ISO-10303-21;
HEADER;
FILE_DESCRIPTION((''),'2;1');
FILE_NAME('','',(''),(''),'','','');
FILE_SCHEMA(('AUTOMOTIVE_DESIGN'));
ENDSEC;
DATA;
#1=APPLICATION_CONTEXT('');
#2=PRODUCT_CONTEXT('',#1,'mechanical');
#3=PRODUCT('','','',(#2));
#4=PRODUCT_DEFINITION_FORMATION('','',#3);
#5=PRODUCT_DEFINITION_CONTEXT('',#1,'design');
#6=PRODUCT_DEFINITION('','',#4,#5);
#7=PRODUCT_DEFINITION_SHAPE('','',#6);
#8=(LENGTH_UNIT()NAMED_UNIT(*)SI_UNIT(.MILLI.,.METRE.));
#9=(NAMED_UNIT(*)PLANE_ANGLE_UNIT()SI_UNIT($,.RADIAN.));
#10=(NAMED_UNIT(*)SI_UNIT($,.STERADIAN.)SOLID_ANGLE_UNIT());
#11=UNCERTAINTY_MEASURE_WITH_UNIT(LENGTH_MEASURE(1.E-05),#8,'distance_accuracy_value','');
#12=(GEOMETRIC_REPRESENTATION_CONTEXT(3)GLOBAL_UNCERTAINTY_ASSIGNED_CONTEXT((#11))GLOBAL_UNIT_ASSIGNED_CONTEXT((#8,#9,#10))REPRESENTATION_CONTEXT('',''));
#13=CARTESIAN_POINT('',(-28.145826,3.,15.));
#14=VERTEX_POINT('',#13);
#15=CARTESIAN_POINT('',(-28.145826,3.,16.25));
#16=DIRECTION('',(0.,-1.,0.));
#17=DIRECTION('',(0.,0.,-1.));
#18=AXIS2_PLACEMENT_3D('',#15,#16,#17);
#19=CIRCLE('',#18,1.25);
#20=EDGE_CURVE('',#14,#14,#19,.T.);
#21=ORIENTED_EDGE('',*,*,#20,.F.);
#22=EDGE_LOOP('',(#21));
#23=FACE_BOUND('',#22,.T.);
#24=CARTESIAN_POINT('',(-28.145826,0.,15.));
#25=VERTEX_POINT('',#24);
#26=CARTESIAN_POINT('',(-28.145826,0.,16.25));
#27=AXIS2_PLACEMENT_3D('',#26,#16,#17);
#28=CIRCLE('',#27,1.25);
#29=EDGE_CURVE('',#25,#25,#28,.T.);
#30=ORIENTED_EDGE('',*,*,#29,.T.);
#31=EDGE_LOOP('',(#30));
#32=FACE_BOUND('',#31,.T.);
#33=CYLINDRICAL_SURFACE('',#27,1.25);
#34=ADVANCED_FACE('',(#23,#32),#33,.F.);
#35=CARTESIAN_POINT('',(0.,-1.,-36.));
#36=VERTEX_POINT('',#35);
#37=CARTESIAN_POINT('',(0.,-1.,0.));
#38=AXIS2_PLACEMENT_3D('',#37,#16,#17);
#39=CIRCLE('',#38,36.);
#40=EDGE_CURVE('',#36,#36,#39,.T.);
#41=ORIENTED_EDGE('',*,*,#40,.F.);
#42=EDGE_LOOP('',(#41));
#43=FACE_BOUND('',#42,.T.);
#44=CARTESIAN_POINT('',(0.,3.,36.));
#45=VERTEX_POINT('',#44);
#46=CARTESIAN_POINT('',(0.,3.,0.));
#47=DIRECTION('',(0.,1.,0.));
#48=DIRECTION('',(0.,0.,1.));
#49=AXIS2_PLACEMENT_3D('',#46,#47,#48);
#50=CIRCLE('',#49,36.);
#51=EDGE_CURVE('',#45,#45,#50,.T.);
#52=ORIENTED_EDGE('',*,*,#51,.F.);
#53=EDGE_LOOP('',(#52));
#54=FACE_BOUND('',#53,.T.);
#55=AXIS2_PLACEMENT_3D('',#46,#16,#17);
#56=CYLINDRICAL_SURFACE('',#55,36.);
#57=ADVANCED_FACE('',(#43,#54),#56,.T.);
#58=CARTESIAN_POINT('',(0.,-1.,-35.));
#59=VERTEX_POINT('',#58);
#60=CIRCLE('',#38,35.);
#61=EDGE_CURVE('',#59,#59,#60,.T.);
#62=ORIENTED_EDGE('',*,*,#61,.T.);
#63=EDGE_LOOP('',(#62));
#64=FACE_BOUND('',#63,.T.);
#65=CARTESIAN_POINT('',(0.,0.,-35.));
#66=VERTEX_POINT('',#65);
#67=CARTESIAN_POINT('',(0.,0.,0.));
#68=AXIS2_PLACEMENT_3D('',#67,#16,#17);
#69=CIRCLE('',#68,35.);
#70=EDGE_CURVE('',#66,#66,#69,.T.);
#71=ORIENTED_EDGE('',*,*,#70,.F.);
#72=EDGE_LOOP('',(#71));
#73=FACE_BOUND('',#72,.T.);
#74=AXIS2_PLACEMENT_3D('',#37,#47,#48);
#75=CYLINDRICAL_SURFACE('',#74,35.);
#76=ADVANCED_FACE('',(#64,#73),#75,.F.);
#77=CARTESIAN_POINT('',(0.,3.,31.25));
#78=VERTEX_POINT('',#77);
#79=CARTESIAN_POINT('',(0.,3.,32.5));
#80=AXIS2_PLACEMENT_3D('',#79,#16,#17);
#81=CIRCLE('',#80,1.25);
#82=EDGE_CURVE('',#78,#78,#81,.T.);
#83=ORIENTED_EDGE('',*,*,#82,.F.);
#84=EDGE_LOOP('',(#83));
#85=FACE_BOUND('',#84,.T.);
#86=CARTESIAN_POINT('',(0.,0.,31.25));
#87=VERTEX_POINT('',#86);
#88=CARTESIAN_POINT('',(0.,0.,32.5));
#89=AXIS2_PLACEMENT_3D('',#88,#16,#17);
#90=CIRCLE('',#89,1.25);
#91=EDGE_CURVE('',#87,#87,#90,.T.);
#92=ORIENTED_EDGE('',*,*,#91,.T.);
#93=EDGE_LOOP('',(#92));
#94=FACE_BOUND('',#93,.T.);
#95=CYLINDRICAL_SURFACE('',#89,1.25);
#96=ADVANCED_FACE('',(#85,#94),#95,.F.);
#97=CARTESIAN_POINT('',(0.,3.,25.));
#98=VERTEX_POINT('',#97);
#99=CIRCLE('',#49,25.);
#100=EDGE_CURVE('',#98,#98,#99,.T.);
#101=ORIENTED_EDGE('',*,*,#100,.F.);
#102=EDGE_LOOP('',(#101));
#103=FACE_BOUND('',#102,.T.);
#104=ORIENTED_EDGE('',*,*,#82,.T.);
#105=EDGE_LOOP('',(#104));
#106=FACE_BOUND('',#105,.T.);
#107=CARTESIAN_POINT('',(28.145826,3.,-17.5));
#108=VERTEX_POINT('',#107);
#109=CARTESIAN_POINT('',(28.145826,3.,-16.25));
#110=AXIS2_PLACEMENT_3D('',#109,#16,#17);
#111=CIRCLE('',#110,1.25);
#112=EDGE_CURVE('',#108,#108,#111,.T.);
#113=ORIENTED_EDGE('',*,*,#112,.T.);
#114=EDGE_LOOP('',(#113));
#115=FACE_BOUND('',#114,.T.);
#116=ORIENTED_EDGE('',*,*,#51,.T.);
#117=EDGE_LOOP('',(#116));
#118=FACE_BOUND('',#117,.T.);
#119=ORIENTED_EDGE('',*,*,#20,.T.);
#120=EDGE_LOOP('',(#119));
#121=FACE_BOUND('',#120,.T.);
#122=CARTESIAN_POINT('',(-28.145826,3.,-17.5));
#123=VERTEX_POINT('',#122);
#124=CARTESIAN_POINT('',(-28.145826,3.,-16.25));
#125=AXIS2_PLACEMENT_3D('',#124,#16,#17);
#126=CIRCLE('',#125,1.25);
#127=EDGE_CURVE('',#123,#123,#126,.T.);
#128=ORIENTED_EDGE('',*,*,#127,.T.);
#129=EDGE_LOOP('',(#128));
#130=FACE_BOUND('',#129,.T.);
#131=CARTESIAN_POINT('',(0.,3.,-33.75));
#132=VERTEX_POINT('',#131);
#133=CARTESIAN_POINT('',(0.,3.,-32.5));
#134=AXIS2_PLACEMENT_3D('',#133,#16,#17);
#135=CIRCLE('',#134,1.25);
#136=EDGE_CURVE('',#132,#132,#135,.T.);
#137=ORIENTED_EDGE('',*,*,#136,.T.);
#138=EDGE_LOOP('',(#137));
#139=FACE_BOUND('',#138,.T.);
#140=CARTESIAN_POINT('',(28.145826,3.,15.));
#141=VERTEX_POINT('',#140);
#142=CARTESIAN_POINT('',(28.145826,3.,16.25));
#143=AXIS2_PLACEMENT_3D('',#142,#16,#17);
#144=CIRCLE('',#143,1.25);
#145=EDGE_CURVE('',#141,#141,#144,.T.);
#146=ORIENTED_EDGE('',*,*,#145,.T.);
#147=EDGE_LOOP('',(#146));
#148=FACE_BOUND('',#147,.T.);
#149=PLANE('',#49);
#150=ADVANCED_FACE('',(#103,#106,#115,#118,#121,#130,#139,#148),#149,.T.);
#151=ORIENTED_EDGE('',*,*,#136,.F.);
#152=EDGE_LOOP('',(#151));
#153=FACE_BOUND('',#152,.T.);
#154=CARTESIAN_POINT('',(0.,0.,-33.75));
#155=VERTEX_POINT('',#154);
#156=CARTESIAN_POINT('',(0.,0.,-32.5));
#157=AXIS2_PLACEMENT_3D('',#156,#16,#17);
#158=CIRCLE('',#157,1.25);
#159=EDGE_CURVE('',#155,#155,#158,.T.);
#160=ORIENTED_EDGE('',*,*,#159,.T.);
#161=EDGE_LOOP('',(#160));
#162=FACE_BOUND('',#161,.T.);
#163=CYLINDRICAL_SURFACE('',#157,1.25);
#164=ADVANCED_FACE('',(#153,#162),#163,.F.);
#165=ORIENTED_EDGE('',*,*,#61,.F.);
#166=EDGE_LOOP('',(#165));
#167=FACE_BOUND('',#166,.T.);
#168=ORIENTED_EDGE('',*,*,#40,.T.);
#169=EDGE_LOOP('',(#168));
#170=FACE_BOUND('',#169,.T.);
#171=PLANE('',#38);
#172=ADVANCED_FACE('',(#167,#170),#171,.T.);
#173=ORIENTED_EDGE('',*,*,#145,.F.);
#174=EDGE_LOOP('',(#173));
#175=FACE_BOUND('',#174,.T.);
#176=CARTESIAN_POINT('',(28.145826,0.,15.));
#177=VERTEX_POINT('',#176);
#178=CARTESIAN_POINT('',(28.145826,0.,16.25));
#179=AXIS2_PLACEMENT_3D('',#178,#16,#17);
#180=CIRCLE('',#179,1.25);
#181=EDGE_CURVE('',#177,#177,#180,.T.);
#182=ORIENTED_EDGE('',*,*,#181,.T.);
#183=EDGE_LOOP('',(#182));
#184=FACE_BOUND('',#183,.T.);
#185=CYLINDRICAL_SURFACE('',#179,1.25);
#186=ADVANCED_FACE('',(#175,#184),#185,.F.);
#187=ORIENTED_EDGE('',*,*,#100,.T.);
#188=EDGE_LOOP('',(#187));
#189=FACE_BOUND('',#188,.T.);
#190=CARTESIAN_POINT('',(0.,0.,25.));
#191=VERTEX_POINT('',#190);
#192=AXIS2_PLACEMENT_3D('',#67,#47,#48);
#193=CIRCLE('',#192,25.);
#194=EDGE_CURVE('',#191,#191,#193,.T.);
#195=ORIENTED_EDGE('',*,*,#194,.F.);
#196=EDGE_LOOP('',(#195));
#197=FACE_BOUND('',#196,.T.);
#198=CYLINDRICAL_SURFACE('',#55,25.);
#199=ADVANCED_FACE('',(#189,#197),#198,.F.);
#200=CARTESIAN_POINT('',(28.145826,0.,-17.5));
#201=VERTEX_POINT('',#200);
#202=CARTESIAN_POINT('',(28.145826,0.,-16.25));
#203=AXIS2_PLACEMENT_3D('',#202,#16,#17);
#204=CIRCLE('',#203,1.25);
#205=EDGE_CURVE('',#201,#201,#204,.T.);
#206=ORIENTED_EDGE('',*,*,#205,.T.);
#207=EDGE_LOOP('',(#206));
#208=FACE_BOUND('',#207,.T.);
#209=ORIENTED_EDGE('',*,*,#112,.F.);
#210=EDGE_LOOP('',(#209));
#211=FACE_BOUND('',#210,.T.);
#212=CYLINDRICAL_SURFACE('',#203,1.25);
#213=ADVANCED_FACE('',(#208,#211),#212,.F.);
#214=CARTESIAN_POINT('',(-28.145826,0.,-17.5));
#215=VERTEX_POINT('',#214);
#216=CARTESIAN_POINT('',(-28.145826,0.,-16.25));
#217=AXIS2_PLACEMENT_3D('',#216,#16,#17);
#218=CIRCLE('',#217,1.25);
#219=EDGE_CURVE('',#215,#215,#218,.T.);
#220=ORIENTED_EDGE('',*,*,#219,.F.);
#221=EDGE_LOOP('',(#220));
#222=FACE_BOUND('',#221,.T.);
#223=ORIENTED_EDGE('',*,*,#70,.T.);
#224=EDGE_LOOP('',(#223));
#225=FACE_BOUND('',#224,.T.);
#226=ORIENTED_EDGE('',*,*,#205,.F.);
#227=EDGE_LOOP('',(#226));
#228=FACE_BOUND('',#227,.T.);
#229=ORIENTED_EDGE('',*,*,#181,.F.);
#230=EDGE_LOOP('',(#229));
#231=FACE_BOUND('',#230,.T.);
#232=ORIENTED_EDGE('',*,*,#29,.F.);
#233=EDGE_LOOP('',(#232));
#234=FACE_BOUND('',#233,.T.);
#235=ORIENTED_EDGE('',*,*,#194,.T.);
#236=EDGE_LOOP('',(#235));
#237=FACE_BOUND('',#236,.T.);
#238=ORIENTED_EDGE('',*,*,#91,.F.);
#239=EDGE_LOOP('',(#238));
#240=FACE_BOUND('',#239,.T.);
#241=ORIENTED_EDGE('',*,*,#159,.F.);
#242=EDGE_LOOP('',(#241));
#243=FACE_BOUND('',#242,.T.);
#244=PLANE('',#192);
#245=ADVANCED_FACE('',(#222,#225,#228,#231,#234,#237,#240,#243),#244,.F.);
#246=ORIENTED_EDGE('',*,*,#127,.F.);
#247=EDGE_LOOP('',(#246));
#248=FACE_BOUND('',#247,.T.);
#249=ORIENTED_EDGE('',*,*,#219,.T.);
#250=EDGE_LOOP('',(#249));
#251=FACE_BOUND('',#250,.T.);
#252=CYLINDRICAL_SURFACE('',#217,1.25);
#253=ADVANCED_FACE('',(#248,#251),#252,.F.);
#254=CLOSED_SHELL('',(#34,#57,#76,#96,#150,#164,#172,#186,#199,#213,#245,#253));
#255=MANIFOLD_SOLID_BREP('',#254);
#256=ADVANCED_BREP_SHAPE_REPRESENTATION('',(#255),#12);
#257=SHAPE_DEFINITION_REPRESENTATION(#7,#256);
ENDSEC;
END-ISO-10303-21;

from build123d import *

# Parameters (mm, degrees)
SKETCH_1_R           = 36
SKETCH_1_R_2         = 25
EXTRUDE_1_DEPTH      = 3
EXTRUDE_START        = 1
SKETCH_3_R           = 36
SKETCH_3_R_2         = 35
EXTRUDE_2_DEPTH      = 1
HOLE_WIZARD_M2_5_1_D = 2.5


with BuildPart() as part:
    # 草图1 → 凸台-拉伸1 (new body)
    with BuildSketch(Plane(origin=(0, 0, 0), x_dir=(1, 0, 0), z_dir=(0, 1, 0))):
        with Locations(Location((0, 0, 0), (0, 0, 270))):
            Circle(SKETCH_1_R)
        with Locations(Location((0, 0, 0), (0, 0, 270))):
            Circle(SKETCH_1_R_2, mode=Mode.SUBTRACT)
    extrude(amount=EXTRUDE_1_DEPTH)

    # 草图3 → 凸台-拉伸2 (add)
    with BuildSketch(Plane.XZ.offset(EXTRUDE_START)):
        with Locations(Location((0, 0, 0), (0, 0, 270))):
            Circle(SKETCH_3_R)
        with Locations(Location((0, 0, 0), (0, 0, 270))):
            Circle(SKETCH_3_R_2, mode=Mode.SUBTRACT)
    extrude(amount=-EXTRUDE_2_DEPTH)

    # M2.5 螺纹孔1 (through all)
    with Locations(Plane(origin=(0, 0, 32.5), x_dir=(0, 0, -1), z_dir=(0, -1, 0))):
        with Locations((0, 0), (16.25, 28.145825623), (48.75, 28.145825623), (16.25, -28.145825623), (48.75, -28.145825623), (65, 0)):
            Hole(HOLE_WIZARD_M2_5_1_D / 2)


solid = part.part
